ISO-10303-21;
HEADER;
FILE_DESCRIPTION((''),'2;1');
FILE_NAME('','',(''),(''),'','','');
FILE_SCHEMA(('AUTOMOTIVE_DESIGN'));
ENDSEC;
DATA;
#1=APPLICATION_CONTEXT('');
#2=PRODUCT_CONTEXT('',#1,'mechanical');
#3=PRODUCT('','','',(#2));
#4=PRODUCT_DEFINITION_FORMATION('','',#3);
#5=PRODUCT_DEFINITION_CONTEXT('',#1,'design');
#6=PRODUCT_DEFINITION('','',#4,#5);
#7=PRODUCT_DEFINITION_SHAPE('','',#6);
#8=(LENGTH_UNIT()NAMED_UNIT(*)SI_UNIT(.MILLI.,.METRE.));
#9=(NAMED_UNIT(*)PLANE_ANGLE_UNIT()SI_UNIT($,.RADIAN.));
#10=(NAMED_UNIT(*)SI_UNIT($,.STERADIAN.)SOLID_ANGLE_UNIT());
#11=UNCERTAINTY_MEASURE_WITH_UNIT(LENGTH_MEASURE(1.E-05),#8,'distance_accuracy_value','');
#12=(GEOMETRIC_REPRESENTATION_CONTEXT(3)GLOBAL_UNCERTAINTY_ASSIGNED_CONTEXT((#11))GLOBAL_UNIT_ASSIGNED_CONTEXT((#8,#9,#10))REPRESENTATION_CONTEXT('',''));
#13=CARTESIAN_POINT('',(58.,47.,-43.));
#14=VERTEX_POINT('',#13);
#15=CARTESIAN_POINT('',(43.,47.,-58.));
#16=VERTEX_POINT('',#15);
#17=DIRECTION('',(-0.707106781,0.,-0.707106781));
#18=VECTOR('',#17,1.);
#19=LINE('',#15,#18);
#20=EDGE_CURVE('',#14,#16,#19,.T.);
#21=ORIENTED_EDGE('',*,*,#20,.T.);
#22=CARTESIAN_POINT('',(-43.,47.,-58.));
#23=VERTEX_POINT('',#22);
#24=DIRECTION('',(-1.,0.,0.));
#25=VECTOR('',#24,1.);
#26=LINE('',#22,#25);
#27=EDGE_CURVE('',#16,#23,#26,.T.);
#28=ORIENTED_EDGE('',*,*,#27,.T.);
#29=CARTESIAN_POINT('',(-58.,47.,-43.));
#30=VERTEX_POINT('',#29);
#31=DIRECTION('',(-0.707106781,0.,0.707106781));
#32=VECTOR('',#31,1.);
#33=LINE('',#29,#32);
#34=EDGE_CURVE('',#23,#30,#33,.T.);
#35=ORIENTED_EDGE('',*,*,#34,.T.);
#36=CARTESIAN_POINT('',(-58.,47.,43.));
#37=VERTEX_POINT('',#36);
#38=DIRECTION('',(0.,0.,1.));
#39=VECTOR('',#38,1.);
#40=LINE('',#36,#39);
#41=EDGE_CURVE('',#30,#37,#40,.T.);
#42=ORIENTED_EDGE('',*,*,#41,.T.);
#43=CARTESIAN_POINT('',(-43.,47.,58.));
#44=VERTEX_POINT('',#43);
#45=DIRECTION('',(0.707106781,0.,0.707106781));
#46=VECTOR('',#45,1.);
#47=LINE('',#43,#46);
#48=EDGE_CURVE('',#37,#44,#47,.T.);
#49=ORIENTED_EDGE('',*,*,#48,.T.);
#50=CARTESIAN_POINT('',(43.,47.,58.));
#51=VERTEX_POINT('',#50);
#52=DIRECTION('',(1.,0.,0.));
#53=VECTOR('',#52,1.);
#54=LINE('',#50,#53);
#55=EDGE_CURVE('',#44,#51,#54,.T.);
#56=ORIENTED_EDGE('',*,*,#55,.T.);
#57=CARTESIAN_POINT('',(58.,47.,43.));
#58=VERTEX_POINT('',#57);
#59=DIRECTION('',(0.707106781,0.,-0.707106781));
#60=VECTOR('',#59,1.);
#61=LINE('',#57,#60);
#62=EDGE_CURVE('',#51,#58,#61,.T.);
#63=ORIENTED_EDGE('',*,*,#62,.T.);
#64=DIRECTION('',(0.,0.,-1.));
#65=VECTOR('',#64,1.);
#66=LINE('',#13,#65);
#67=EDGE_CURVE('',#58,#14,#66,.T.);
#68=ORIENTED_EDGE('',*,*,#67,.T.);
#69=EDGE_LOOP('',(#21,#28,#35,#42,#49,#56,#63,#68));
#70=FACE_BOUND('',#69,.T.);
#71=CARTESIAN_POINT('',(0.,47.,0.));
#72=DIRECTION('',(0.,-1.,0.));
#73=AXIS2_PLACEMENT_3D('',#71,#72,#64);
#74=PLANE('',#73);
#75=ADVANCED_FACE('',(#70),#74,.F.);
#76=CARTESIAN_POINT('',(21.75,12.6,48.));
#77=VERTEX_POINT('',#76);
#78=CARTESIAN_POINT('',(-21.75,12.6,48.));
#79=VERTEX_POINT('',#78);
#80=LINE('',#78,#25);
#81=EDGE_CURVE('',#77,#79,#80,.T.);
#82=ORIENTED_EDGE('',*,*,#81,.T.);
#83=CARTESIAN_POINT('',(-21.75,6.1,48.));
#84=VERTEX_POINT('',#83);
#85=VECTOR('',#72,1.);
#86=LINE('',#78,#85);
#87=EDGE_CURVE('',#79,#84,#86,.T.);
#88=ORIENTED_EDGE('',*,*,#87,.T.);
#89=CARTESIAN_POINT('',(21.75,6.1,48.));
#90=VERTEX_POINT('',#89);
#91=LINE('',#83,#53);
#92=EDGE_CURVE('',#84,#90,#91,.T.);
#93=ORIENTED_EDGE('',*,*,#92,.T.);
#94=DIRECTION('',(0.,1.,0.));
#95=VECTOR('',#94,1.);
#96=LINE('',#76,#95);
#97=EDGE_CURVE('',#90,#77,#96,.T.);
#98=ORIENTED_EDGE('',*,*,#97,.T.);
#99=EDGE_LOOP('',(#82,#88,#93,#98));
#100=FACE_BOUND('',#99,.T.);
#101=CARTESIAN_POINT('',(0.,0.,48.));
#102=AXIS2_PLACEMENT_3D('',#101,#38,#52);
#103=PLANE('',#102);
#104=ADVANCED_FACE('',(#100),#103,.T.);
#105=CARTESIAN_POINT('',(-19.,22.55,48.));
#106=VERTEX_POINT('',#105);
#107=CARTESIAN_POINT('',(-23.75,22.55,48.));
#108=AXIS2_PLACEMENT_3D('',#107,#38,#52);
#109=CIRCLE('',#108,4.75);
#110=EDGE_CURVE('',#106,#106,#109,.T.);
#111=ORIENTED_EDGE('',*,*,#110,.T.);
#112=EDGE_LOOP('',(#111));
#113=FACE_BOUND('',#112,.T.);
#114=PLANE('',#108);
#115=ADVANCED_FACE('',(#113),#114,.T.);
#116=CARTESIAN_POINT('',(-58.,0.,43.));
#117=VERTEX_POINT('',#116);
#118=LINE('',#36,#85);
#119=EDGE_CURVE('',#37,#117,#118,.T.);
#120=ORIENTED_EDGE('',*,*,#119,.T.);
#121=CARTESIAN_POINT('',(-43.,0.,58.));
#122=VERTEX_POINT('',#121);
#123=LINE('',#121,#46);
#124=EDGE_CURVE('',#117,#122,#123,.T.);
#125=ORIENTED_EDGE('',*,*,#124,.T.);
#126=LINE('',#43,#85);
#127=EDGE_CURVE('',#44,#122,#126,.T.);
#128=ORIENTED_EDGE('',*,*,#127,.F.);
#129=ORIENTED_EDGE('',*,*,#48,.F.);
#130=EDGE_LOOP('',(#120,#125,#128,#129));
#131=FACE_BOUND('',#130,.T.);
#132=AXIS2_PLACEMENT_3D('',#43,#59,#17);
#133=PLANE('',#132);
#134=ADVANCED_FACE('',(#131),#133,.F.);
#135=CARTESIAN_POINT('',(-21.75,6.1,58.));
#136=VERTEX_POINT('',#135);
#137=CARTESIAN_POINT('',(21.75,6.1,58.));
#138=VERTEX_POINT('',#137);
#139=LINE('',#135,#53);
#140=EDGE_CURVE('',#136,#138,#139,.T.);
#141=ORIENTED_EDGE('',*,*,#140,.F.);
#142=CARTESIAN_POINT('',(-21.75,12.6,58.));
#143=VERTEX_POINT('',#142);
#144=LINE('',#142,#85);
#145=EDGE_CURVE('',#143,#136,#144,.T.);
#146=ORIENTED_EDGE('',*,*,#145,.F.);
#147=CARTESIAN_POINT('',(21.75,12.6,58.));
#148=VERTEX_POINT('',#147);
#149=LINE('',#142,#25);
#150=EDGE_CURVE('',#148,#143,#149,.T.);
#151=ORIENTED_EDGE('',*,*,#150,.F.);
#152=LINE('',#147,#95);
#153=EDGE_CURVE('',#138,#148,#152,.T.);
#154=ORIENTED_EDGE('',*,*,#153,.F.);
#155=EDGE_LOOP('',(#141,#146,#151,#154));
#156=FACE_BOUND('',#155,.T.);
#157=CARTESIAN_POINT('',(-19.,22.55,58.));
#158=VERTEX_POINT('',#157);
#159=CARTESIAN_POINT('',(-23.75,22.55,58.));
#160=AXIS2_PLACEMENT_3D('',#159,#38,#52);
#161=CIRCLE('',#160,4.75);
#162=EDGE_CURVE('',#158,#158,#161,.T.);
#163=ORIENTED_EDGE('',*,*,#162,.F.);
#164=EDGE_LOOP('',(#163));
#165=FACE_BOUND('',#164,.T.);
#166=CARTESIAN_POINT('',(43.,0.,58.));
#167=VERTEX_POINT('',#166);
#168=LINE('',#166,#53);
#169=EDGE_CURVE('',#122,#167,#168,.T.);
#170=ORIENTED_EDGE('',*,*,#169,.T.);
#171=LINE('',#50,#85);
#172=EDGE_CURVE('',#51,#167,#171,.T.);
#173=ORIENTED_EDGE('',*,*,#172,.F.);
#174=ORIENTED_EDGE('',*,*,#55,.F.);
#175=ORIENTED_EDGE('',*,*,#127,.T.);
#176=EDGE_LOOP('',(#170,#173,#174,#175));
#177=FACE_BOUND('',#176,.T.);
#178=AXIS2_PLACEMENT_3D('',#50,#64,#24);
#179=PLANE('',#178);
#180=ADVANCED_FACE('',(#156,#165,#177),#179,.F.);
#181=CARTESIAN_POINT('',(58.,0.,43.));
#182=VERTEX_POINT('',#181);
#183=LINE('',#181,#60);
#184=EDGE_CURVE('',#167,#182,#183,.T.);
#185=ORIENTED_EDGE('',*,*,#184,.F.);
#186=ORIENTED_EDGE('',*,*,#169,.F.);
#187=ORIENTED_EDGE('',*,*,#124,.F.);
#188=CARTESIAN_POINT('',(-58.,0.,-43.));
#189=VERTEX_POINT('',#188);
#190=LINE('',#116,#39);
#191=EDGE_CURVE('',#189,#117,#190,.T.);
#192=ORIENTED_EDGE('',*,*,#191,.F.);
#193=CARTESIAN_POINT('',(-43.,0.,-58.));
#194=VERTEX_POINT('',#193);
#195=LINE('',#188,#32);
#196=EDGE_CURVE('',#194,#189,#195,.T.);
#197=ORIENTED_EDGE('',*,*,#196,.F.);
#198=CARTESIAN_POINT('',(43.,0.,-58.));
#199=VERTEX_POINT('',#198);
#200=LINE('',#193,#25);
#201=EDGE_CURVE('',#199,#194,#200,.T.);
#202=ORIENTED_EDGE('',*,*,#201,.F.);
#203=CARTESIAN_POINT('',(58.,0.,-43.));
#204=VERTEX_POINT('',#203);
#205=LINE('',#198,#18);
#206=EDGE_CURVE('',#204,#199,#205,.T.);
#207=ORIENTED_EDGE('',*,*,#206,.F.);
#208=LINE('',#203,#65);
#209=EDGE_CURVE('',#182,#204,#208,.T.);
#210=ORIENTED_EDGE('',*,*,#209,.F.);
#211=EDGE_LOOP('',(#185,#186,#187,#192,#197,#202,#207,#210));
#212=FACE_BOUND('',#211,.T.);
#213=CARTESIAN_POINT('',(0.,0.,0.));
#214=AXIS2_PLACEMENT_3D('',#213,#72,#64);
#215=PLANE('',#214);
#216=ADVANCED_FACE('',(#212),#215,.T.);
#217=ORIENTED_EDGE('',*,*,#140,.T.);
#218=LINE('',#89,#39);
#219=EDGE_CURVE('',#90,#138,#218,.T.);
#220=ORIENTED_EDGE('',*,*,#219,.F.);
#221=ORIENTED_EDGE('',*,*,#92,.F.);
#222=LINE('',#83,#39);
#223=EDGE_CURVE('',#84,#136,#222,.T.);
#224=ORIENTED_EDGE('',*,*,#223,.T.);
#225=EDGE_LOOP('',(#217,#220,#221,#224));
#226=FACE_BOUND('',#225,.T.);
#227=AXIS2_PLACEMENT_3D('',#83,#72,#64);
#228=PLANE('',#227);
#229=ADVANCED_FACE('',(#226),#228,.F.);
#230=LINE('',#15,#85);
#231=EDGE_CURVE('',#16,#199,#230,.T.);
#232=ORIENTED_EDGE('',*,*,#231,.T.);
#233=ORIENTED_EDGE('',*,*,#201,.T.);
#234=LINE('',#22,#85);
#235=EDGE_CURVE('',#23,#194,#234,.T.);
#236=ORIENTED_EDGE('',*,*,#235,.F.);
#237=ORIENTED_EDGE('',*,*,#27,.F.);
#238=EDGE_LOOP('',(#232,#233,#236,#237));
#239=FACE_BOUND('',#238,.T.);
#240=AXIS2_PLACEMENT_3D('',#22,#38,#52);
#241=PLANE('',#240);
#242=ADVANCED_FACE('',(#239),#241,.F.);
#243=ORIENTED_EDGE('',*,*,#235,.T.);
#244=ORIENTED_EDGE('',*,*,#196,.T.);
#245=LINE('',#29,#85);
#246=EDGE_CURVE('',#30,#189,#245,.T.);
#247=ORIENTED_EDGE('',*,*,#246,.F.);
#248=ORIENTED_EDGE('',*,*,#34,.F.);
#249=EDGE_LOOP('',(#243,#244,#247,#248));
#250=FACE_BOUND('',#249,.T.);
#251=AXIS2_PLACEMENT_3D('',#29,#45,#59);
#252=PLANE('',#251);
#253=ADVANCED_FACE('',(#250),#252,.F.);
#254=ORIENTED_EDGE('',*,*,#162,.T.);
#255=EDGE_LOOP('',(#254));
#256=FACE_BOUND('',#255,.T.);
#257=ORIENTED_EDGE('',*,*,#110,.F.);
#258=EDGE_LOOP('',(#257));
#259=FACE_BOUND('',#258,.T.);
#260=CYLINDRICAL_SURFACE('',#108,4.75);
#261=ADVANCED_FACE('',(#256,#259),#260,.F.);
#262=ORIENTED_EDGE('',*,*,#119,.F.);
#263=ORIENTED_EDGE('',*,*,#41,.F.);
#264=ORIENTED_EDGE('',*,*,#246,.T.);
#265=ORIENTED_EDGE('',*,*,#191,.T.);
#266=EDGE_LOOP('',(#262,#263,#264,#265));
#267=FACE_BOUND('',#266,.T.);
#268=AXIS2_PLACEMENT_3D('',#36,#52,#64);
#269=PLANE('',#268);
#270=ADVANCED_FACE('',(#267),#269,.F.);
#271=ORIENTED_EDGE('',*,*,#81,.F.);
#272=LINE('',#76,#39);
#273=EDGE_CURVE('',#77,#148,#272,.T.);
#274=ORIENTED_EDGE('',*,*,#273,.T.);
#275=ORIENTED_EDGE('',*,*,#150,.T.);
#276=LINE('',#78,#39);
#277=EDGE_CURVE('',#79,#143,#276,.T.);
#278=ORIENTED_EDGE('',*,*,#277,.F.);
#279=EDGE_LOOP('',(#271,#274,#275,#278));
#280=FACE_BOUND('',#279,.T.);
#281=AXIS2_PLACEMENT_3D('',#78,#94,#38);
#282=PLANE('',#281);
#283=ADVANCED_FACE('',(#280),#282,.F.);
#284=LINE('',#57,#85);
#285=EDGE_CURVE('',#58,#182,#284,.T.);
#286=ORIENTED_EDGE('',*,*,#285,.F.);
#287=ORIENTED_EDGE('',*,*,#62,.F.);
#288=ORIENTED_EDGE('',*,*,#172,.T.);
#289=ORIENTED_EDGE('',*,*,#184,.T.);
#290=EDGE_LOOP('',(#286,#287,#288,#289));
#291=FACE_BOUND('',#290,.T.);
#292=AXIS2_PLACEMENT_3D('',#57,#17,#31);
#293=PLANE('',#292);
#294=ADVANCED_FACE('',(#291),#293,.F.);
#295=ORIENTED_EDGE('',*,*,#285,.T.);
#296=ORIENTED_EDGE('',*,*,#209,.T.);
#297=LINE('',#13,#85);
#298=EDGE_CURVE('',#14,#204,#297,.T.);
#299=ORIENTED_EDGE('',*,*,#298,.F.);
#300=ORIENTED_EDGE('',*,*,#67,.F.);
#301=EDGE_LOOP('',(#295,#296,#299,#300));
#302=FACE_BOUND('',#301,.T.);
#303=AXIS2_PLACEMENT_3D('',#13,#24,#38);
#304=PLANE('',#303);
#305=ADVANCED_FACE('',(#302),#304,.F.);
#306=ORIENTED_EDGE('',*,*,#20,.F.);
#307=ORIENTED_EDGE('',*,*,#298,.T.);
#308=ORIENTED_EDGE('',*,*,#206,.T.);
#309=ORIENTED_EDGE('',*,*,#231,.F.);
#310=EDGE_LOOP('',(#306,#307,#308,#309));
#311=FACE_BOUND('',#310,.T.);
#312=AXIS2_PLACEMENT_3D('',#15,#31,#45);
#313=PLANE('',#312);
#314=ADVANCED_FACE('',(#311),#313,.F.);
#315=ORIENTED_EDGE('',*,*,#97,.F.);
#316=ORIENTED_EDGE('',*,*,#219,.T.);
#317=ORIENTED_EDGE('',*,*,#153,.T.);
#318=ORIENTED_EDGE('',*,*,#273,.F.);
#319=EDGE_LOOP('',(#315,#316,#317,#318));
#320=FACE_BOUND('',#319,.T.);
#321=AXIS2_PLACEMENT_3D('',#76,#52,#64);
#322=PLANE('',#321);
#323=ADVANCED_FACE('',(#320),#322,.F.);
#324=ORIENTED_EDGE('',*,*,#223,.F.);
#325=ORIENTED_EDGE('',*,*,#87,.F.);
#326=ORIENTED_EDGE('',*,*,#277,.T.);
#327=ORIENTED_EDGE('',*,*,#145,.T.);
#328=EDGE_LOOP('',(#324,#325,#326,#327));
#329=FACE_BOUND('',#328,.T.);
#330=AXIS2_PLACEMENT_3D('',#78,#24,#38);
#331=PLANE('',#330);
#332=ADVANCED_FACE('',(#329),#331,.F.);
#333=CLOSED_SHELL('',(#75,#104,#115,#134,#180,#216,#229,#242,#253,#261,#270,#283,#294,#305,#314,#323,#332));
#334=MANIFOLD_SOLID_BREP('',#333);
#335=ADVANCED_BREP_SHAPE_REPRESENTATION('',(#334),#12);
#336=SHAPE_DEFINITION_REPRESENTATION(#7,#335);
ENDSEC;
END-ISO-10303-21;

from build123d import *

# Parameters (mm, degrees)
BOSS_EXTRUDE1_DEPTH = 47
SKETCH3_R           = 4.75
SKETCH3_W           = 43.5
SKETCH3_H           = 6.5
CUT_EXTRUDE1_DEPTH  = 10


with BuildPart() as part:
    # Sketch2 → Boss-Extrude1 (new body)
    with BuildSketch(Plane(origin=(0, 0, 0), x_dir=(1, 0, 0), z_dir=(0, 1, 0))):
        Polygon((-43, 58), (43, 58), (58, 43), (58, -43), (43, -58), (-43, -58), (-58, -43), (-58, 43), align=None)
    extrude(amount=BOSS_EXTRUDE1_DEPTH)

    # Sketch3 → Cut-Extrude1 (cut)
    with BuildSketch(Plane.XY.offset(58)):
        with Locations((-23.75, 22.55)):
            Circle(SKETCH3_R)
        with Locations((0, 9.35)):
            Rectangle(SKETCH3_W, SKETCH3_H)
    extrude(amount=-CUT_EXTRUDE1_DEPTH, mode=Mode.SUBTRACT)


solid = part.part
